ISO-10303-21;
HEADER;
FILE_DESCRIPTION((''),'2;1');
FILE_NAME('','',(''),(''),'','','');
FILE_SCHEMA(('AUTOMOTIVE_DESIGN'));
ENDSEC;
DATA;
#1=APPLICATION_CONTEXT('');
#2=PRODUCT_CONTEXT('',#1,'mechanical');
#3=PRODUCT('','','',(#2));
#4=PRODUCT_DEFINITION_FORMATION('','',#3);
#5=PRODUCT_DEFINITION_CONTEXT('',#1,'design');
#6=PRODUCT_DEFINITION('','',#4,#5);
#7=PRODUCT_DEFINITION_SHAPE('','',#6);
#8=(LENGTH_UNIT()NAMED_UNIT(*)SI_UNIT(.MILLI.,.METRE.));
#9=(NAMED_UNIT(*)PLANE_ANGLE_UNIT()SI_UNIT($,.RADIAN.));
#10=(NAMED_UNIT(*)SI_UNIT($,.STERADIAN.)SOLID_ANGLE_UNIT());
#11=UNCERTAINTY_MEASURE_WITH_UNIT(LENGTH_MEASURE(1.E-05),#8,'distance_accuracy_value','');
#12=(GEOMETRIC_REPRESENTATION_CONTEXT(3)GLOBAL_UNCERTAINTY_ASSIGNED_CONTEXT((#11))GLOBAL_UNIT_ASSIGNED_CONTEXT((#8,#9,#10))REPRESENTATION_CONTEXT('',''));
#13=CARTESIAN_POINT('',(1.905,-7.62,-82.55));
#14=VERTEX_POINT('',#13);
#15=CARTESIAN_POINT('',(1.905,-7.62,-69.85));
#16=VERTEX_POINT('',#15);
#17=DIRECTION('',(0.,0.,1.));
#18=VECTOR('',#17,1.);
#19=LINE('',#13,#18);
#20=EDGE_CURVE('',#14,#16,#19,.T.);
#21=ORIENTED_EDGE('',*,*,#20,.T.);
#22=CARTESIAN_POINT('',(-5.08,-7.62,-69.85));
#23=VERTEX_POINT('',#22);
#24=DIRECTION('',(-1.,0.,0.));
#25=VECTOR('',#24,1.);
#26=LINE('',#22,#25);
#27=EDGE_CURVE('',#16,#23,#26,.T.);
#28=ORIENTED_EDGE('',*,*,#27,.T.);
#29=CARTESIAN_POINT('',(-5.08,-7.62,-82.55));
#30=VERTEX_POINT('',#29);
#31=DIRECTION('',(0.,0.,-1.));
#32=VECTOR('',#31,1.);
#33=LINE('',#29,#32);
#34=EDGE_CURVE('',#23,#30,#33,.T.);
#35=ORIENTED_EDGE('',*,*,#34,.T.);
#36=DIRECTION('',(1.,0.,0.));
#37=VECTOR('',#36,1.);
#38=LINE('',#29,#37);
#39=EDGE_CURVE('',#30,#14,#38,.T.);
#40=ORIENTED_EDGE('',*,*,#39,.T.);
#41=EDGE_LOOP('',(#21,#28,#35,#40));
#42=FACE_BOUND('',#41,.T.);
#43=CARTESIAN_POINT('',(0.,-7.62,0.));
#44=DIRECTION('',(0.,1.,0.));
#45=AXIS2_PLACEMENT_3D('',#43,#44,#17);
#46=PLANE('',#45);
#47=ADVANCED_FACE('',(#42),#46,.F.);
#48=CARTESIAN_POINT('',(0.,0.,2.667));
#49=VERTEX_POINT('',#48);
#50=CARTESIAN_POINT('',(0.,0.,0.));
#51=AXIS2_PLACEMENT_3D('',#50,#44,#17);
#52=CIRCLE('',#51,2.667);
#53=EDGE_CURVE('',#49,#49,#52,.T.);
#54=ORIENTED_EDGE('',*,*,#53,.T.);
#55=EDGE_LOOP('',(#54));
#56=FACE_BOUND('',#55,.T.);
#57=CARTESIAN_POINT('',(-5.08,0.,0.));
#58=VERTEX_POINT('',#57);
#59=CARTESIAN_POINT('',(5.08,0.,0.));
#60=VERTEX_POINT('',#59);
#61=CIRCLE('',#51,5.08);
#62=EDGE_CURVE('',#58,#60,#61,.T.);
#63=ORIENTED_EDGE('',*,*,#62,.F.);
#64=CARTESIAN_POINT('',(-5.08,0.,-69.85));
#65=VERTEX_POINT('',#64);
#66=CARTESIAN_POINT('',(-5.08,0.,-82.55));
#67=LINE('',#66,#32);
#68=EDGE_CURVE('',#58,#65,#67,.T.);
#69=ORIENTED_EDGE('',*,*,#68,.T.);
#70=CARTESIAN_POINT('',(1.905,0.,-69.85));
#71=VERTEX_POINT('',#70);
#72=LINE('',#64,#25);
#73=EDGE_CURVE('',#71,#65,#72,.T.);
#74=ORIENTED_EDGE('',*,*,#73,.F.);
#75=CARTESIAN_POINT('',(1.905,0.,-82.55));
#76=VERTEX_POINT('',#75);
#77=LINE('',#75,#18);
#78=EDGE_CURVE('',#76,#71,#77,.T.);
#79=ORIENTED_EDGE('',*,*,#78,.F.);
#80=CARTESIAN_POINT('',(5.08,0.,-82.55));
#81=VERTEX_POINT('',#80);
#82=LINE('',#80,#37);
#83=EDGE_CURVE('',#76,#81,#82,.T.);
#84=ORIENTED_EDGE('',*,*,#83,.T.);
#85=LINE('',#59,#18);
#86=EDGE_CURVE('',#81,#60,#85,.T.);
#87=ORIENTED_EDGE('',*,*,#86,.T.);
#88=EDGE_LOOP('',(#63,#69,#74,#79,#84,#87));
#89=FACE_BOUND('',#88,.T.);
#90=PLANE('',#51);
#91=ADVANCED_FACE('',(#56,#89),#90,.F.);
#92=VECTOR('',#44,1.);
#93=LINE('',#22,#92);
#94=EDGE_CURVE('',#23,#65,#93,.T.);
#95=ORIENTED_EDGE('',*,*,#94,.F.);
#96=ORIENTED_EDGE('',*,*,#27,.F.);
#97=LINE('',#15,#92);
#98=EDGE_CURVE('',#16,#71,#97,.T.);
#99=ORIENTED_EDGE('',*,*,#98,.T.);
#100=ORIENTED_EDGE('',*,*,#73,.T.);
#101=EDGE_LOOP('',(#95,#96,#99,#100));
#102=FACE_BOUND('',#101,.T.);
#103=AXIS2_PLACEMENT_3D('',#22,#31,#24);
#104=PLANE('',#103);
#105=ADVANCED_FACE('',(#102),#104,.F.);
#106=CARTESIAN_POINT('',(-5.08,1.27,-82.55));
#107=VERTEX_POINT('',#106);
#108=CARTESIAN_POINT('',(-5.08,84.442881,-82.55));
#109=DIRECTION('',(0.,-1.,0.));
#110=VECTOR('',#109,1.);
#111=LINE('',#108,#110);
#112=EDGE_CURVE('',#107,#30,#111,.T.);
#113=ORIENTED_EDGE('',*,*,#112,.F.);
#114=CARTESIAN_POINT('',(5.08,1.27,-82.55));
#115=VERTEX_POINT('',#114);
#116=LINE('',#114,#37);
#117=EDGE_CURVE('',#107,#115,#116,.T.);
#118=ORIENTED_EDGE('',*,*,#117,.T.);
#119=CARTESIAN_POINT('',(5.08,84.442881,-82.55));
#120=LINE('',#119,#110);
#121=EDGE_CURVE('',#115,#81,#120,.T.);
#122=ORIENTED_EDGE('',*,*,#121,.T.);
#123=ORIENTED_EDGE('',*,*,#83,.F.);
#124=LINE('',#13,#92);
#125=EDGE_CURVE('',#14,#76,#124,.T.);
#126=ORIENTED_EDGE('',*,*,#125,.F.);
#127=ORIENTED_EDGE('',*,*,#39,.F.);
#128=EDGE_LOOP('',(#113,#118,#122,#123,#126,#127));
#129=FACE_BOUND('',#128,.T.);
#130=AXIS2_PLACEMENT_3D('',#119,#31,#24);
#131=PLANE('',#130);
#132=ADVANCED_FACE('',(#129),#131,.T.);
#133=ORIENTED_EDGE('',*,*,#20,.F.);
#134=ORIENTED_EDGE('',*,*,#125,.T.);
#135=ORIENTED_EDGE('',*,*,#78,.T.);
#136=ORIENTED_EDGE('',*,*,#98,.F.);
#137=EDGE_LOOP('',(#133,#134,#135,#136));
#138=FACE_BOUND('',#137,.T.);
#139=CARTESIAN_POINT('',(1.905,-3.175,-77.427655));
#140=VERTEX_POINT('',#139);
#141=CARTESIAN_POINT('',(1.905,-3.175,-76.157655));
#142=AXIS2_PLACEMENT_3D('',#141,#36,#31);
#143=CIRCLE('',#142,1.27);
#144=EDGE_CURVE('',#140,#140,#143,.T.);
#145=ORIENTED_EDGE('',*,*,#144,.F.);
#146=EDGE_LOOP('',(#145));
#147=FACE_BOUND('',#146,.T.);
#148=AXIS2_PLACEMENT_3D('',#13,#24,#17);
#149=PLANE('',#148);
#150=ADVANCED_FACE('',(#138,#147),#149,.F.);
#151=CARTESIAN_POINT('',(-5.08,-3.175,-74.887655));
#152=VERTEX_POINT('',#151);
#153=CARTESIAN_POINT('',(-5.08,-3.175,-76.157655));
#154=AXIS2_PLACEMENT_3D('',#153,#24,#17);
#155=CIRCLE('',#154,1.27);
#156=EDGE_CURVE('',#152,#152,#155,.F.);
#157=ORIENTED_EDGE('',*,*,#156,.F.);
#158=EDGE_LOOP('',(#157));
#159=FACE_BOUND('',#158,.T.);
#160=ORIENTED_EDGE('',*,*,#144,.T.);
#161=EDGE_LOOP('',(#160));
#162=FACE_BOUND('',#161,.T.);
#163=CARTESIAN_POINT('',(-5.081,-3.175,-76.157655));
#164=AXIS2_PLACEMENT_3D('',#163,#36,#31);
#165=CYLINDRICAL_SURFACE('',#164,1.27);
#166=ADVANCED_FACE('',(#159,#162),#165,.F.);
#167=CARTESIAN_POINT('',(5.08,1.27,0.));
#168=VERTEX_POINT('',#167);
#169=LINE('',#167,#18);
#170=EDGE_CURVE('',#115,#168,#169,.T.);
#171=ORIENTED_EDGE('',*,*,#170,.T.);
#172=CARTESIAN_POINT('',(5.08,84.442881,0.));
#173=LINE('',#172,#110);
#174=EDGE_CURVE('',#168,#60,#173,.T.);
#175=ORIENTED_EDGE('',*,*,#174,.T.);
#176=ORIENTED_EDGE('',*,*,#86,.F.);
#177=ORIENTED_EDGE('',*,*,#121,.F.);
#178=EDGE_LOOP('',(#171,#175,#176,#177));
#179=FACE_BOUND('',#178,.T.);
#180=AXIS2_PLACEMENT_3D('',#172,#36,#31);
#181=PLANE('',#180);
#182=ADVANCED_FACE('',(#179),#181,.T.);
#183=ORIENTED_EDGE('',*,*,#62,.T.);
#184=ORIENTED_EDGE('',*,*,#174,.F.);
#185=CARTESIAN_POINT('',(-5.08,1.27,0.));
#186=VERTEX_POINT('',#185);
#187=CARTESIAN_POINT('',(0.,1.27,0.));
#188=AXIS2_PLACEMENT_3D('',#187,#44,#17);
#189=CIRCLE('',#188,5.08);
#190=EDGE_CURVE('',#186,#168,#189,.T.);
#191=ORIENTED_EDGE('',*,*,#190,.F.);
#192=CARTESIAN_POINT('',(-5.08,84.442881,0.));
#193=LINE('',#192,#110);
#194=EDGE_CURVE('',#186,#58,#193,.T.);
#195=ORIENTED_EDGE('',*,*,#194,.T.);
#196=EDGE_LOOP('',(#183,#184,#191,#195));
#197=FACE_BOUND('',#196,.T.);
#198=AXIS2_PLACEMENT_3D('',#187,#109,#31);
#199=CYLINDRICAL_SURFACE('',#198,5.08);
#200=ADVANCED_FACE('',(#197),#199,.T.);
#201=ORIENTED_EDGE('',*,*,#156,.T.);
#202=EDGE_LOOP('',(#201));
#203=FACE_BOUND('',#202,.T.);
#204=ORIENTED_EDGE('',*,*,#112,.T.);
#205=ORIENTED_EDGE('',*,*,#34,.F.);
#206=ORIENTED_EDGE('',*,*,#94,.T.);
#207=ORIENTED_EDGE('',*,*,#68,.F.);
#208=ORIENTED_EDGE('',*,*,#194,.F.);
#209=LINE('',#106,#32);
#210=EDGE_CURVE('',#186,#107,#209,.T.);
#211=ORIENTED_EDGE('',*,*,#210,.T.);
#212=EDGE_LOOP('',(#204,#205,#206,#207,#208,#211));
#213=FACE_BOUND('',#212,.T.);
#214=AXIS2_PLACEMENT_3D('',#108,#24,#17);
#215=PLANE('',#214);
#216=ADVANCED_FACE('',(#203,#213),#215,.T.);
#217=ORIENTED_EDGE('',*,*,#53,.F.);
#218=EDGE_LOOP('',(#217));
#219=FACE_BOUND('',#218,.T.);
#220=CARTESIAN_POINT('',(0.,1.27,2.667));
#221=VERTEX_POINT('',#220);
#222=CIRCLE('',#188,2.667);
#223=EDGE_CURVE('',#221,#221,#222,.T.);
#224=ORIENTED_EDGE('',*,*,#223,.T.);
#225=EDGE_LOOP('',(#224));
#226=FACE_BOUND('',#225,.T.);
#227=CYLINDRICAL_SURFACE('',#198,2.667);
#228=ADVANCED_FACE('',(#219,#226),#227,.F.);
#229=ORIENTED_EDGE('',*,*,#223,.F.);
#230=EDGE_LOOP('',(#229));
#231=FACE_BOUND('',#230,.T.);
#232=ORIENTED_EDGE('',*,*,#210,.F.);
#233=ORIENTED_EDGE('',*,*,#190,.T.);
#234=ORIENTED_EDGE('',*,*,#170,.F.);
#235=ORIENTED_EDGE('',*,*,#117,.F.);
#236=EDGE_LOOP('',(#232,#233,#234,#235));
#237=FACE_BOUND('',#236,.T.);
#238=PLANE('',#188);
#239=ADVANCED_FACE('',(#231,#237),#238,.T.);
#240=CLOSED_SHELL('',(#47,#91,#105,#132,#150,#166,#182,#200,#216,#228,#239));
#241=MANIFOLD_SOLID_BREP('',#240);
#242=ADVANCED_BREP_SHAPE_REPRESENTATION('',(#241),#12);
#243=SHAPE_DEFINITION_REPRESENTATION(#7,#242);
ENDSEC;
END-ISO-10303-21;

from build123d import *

# Parameters (mm, degrees)
SKETCH1_R           = 5.08
SKETCH1_R_2         = 2.667
BOSS_EXTRUDE1_DEPTH = 1.27
BOSS_EXTRUDE5_DEPTH = 1.27
SKETCH6_W           = 6.985
SKETCH6_H           = 12.7
BOSS_EXTRUDE6_DEPTH = 7.62
CUT_EXTRUDE2_REACH  = 85.195
SKETCH7_R           = 1.27


with BuildPart() as part:
    # Sketch1 → Boss-Extrude1 (new body)
    with BuildSketch(Plane(origin=(0, 0, 0), x_dir=(1, 0, 0), z_dir=(0, 1, 0))):
        with Locations(Location((0, 0, 0), (0, 0, 270))):
            Circle(SKETCH1_R)
        with Locations(Location((0, 0, 0), (0, 0, 270))):
            Circle(SKETCH1_R_2, mode=Mode.SUBTRACT)
    extrude(amount=BOSS_EXTRUDE1_DEPTH)

    # Sketch5 → Boss-Extrude5 (add)
    with BuildSketch(Plane(origin=(0, 0, 0), x_dir=(-1, 0, 0), z_dir=(0, -1, 0))):
        with BuildLine():
            Line((-5.08, 0), (-5.08, 82.55))
            Line((-5.08, 82.55), (5.08, 82.55))
            Line((5.08, 82.55), (5.08, 0))
            ThreePointArc((5.08, 0), (0, 5.08), (-5.08, 0))
        make_face()
    extrude(amount=-BOSS_EXTRUDE5_DEPTH)

    # Sketch6 → Boss-Extrude6 (add)
    with BuildSketch(Plane.XZ):
        with Locations((-1.5875, -76.2)):
            Rectangle(SKETCH6_W, SKETCH6_H)
    extrude(amount=BOSS_EXTRUDE6_DEPTH)

    # Sketch7 → Cut-Extrude2 (cut, up to next)
    with BuildSketch(Plane(origin=(1.905, 0, 0), x_dir=(0, 0, -1), z_dir=(1, 0, 0)), mode=Mode.PRIVATE) as cut_extrude2_sk1:
        with Locations((76.157654901, -3.175)):
            Circle(SKETCH7_R)
    cut_extrude2_tool1 = extrude(cut_extrude2_sk1.sketch, amount=-CUT_EXTRUDE2_REACH, mode=Mode.PRIVATE) & part.part
    add(cut_extrude2_tool1.solids().sort_by_distance((1.905, -3.175, -76.157655))[0], mode=Mode.SUBTRACT)


solid = part.part
